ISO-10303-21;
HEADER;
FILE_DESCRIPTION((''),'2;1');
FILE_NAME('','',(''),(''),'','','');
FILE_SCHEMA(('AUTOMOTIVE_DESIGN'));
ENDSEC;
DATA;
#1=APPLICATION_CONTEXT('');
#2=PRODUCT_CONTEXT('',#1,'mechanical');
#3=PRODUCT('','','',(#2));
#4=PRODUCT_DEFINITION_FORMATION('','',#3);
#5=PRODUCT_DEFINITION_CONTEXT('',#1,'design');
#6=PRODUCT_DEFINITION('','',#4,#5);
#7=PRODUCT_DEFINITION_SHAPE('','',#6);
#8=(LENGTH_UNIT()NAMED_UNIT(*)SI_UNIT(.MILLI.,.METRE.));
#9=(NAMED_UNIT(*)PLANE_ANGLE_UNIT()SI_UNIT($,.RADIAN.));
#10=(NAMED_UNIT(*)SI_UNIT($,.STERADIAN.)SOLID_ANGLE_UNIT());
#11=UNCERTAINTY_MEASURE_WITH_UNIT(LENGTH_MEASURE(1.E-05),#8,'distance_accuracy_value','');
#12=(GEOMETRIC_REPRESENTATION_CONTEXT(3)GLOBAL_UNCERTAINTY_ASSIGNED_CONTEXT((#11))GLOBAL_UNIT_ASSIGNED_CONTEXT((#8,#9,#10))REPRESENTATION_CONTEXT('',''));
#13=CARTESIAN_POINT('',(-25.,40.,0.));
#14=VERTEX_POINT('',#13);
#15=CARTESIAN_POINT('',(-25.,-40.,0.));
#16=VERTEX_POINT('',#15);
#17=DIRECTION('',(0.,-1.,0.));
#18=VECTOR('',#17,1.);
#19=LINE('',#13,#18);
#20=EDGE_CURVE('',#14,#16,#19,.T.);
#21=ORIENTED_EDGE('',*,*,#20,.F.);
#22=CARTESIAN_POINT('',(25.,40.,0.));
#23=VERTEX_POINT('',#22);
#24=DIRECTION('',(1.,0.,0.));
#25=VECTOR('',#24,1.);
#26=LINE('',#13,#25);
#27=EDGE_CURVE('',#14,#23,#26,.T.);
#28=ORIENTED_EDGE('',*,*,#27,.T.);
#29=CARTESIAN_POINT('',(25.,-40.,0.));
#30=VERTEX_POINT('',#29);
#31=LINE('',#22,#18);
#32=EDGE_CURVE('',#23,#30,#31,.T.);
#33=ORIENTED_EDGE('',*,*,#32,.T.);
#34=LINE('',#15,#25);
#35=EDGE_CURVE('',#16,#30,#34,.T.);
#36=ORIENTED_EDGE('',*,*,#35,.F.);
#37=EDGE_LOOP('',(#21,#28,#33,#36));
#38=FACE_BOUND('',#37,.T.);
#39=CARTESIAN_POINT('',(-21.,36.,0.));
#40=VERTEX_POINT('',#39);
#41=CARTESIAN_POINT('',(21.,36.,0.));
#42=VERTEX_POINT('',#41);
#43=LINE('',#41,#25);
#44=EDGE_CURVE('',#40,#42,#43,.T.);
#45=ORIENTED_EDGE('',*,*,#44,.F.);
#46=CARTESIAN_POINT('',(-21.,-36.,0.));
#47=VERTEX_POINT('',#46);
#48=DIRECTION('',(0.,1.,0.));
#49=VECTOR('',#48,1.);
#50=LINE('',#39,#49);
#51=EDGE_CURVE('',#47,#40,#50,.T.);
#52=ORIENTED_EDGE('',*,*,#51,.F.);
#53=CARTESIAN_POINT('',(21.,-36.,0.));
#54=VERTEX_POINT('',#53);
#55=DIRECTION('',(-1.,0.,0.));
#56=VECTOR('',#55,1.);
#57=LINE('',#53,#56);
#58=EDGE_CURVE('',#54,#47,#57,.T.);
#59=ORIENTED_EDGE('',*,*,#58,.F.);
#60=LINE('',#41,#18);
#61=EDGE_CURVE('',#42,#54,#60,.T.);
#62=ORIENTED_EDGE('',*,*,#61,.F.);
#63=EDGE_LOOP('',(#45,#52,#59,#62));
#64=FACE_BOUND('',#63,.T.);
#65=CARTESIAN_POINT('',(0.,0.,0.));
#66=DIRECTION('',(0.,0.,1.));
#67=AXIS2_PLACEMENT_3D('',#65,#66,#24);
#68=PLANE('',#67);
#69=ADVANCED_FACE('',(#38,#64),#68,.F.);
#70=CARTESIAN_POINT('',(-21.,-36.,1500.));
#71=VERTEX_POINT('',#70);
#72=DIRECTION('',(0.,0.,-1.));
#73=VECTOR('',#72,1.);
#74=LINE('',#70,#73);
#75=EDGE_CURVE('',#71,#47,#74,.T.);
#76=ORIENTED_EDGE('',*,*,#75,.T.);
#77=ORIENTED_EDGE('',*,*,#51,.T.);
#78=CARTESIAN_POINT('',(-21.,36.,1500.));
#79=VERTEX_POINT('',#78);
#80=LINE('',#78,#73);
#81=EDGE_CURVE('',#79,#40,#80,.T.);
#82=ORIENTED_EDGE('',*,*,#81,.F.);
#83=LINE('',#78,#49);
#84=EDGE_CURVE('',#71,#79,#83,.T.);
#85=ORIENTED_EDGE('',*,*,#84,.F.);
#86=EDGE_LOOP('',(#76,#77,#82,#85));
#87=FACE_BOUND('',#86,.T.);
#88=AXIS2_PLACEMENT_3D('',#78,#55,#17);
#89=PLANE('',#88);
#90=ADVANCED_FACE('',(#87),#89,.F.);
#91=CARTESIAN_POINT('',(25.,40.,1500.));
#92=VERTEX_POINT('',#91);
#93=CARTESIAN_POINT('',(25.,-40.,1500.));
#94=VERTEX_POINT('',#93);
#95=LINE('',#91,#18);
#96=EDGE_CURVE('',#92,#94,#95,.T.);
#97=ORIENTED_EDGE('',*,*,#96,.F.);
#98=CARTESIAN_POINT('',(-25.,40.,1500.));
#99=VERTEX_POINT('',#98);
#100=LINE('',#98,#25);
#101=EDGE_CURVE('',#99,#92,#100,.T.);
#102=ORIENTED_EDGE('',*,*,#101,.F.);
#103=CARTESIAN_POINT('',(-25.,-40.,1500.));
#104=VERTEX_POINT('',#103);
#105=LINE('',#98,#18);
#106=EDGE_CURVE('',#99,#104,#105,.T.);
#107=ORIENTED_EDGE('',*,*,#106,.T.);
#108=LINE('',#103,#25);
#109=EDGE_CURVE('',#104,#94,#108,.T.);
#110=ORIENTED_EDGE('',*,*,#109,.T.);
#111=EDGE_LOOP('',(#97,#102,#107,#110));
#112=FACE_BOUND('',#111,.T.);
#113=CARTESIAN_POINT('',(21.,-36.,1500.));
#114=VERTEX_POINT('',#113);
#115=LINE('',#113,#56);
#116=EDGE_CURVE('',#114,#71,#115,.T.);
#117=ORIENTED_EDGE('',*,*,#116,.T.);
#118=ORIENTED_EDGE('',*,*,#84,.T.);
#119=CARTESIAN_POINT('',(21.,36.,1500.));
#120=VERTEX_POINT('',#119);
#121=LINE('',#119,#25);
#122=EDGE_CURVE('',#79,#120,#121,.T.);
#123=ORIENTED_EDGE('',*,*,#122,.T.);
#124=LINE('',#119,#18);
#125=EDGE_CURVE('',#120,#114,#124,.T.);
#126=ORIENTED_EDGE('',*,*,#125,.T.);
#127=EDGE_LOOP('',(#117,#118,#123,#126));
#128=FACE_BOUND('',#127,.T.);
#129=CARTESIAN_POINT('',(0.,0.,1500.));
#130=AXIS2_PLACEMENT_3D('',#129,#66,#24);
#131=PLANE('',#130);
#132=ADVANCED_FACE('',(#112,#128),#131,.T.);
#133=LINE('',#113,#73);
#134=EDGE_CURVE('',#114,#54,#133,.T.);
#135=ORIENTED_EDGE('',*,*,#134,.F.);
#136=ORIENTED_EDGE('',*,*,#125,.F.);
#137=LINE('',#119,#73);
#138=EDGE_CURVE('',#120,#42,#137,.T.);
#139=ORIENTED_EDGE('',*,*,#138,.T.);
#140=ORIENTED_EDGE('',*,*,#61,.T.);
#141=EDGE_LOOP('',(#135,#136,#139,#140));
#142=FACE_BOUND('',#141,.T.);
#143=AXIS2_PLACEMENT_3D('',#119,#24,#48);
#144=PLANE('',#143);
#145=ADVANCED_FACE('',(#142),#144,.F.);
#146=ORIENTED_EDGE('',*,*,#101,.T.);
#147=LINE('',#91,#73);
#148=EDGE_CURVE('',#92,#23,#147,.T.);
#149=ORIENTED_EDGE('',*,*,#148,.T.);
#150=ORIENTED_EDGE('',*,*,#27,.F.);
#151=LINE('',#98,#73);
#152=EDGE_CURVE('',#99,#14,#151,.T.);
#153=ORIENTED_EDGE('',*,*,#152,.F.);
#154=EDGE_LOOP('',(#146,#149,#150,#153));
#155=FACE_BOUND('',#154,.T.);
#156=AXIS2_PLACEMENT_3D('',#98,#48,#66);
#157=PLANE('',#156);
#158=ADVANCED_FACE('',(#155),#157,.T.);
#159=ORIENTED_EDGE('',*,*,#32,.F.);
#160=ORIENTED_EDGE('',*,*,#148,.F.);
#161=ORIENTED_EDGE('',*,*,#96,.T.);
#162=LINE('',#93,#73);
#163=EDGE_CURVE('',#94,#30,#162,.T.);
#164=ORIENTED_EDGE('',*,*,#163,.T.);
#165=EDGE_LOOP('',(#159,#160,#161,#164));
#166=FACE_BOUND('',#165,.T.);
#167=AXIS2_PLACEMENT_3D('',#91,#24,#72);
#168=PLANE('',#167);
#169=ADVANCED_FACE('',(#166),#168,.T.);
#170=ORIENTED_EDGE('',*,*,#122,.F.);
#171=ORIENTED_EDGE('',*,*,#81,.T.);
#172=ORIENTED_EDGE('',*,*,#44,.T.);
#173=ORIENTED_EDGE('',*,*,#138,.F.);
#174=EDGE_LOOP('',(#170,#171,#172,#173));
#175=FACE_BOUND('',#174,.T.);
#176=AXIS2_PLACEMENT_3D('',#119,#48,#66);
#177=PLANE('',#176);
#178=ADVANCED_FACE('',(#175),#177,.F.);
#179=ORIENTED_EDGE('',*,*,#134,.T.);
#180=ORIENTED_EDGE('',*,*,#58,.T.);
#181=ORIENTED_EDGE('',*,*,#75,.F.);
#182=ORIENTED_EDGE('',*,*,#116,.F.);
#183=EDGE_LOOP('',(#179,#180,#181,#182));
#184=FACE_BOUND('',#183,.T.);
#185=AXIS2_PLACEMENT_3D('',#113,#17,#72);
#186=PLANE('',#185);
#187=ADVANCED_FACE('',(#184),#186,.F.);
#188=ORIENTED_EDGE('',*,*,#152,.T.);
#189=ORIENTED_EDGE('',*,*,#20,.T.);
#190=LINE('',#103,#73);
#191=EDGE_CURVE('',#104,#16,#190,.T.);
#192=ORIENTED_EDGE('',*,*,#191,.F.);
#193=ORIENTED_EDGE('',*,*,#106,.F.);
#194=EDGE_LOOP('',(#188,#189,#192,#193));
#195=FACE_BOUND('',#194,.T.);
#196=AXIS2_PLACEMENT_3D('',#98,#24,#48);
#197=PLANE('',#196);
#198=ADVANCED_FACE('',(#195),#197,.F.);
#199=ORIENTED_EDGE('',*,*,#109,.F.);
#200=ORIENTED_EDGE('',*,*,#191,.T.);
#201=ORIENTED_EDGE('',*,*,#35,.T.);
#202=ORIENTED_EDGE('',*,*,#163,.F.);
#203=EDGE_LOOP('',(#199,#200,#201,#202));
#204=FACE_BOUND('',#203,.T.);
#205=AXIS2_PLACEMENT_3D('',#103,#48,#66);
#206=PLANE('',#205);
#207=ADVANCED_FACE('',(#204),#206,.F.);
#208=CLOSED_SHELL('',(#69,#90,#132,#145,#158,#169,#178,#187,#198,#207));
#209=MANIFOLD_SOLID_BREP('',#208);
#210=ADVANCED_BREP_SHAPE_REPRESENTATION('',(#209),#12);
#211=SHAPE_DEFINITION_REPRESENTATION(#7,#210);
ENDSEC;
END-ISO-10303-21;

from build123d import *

# Parameters (mm, degrees)
SKETCH1_W           = 50
SKETCH1_H           = 80
BOSS_EXTRUDE1_DEPTH = 1500
SKETCH2_W           = 42
SKETCH2_H           = 72
CUT_EXTRUDE1_DEPTH  = 1500


with BuildPart() as part:
    # Sketch1 → Boss-Extrude1 (new body)
    with BuildSketch(Plane.XY):
        Rectangle(SKETCH1_W, SKETCH1_H)
    extrude(amount=BOSS_EXTRUDE1_DEPTH)

    # Sketch2 → Cut-Extrude1 (cut)
    with BuildSketch(Plane(origin=(0, 0, 0), x_dir=(-1, 0, 0), z_dir=(0, 0, -1))):
        Rectangle(SKETCH2_W, SKETCH2_H)
    extrude(amount=-CUT_EXTRUDE1_DEPTH, mode=Mode.SUBTRACT)


solid = part.part
